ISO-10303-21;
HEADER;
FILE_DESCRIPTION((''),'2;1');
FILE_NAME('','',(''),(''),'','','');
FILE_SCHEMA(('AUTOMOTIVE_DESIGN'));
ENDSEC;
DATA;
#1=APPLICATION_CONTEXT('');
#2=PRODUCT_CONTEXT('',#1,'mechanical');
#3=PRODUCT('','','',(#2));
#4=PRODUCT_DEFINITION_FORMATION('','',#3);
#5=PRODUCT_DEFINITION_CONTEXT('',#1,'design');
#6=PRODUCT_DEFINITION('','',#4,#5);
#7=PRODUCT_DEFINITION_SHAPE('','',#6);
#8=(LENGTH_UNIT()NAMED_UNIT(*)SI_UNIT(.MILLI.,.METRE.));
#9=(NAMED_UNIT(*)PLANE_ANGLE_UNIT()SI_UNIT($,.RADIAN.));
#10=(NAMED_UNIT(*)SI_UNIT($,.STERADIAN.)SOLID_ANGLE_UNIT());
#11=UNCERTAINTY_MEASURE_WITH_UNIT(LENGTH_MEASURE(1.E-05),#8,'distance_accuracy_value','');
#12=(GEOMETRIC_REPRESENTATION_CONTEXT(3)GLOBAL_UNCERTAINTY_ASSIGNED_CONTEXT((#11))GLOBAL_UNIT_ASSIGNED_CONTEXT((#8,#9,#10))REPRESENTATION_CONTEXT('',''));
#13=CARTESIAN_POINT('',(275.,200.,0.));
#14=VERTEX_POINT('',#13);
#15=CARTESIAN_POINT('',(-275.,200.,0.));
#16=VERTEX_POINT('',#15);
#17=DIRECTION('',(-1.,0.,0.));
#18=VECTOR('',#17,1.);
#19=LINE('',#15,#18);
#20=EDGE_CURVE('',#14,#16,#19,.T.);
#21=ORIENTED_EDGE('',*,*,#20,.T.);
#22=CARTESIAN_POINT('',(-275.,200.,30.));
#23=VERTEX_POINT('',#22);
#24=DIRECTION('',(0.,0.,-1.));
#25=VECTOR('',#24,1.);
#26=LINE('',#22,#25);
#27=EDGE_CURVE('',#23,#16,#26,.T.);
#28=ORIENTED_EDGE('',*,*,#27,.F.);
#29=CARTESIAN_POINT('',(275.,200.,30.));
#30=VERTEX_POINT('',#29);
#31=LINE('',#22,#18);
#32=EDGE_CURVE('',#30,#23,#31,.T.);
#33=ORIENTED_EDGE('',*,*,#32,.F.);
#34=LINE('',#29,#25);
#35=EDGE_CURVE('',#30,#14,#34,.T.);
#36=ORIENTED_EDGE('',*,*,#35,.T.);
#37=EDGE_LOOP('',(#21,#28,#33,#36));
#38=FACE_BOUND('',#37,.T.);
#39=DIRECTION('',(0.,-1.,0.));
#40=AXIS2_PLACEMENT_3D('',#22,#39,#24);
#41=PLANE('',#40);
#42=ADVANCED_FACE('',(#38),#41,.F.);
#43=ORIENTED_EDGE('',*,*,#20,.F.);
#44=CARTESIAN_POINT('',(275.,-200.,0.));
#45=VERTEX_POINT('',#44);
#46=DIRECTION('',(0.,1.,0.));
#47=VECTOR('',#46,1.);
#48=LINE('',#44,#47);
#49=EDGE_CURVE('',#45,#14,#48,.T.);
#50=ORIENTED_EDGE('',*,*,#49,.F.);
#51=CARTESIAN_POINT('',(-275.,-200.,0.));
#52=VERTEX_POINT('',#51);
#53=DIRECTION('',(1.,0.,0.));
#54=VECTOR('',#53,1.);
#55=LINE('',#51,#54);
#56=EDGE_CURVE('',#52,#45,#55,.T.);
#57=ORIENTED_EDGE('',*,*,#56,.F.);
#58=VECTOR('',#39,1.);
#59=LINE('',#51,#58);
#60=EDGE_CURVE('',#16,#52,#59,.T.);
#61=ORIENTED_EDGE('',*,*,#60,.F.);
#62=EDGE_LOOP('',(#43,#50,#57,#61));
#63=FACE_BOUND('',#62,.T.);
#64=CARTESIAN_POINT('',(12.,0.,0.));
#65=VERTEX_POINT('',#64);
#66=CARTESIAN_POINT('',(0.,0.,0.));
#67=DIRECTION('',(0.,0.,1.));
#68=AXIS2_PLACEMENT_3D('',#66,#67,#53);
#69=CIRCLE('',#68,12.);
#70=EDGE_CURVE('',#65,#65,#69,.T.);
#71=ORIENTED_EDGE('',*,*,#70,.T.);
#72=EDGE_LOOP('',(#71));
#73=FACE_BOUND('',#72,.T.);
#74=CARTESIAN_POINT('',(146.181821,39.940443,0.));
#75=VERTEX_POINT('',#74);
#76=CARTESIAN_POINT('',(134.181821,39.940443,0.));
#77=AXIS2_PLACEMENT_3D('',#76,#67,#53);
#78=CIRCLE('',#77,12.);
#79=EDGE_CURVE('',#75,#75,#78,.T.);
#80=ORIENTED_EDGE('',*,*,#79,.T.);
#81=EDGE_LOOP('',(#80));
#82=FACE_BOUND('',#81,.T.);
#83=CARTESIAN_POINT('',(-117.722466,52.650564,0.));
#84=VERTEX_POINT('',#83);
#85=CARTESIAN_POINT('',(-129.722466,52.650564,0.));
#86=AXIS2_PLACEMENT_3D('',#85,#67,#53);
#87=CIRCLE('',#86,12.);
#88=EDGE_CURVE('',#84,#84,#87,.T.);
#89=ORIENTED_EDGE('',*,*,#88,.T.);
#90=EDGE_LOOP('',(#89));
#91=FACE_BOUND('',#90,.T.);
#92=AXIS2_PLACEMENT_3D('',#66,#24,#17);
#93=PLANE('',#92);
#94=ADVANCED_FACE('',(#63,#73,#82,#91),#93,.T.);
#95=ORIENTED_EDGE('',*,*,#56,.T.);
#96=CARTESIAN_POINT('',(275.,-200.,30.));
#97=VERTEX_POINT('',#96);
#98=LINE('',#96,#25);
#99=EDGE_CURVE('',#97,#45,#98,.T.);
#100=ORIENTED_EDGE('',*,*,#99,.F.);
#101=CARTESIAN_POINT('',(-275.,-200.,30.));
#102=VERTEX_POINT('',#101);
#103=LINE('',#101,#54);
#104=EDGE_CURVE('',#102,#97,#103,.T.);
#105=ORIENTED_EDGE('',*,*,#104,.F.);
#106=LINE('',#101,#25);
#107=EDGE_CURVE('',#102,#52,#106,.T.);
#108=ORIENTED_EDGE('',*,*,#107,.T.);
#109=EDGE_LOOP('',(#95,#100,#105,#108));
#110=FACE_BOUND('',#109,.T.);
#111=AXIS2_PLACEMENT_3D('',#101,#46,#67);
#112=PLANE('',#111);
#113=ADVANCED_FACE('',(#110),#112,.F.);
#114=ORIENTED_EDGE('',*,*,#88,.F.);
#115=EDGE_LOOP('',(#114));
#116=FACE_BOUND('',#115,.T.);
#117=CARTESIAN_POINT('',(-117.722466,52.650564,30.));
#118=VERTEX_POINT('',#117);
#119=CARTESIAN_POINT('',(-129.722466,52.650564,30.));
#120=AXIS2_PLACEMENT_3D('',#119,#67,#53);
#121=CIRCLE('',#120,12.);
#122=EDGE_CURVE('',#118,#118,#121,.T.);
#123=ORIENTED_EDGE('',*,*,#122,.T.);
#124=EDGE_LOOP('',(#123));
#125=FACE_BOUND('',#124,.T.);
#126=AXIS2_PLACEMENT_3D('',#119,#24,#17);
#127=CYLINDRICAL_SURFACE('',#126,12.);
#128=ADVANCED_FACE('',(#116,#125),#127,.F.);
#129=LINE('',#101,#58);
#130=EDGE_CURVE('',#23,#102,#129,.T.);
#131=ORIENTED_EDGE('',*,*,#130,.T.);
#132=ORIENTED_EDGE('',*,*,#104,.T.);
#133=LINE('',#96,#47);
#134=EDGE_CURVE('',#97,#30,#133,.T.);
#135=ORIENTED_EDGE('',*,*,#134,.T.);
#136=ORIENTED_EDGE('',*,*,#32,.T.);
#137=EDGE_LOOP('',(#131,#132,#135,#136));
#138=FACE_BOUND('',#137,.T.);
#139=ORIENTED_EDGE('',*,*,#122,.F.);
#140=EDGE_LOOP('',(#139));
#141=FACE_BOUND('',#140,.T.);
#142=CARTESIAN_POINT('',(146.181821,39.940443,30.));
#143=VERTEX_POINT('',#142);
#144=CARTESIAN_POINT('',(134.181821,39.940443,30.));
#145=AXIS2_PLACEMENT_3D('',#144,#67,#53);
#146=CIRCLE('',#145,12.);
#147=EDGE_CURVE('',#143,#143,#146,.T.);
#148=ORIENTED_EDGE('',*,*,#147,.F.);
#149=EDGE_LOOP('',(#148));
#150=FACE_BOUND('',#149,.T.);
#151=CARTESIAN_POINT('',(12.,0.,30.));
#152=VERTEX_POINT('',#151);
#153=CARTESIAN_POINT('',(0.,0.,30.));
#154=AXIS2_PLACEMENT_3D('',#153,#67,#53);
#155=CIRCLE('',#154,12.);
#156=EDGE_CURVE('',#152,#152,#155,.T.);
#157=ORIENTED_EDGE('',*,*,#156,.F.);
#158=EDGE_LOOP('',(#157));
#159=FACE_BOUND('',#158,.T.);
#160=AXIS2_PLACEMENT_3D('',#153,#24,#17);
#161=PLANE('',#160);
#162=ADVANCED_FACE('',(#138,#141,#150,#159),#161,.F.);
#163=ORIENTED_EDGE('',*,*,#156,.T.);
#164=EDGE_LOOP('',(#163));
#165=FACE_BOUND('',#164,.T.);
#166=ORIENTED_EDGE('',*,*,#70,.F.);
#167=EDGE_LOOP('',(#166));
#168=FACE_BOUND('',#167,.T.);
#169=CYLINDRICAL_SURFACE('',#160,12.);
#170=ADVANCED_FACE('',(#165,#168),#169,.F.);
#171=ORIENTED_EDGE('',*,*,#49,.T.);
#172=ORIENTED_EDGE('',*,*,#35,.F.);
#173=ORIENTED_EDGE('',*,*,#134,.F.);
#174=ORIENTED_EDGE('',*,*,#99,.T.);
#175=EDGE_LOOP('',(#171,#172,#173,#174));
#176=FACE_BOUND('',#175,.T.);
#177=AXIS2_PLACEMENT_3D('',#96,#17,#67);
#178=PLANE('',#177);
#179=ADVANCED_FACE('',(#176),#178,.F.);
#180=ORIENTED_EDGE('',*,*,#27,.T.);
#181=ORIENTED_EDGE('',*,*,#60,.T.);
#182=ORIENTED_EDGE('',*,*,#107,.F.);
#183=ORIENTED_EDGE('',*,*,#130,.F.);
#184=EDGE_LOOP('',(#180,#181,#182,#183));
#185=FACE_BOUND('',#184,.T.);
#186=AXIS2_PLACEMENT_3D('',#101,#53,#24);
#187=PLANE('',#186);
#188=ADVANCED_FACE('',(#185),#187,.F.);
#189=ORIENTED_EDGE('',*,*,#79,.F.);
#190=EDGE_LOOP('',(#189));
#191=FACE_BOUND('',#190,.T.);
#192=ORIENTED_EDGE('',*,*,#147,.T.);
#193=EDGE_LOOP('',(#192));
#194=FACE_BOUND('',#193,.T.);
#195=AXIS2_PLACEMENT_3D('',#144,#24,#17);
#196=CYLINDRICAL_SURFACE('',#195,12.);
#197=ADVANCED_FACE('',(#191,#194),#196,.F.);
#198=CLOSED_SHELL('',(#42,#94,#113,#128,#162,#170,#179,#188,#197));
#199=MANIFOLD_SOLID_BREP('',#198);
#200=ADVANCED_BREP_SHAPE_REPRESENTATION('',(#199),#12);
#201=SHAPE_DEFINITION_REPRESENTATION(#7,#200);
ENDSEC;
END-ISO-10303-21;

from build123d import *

# Parameters (mm, degrees)
ESBO_O1_W                = 550
ESBO_O1_H                = 400
ESBO_O1_R                = 12
RESSALTO_EXTRUS_O1_DEPTH = 30


with BuildPart() as part:
    # Esboço1 → Ressalto-extrusão1 (new body)
    with BuildSketch(Plane.XY):
        Rectangle(ESBO_O1_W, ESBO_O1_H)
        with Locations((-129.722465626, 52.650564213)):
            Circle(ESBO_O1_R, mode=Mode.SUBTRACT)
        Circle(ESBO_O1_R, mode=Mode.SUBTRACT)
        with Locations((134.18182058, 39.940443486)):
            Circle(ESBO_O1_R, mode=Mode.SUBTRACT)
    extrude(amount=RESSALTO_EXTRUS_O1_DEPTH)


solid = part.part
